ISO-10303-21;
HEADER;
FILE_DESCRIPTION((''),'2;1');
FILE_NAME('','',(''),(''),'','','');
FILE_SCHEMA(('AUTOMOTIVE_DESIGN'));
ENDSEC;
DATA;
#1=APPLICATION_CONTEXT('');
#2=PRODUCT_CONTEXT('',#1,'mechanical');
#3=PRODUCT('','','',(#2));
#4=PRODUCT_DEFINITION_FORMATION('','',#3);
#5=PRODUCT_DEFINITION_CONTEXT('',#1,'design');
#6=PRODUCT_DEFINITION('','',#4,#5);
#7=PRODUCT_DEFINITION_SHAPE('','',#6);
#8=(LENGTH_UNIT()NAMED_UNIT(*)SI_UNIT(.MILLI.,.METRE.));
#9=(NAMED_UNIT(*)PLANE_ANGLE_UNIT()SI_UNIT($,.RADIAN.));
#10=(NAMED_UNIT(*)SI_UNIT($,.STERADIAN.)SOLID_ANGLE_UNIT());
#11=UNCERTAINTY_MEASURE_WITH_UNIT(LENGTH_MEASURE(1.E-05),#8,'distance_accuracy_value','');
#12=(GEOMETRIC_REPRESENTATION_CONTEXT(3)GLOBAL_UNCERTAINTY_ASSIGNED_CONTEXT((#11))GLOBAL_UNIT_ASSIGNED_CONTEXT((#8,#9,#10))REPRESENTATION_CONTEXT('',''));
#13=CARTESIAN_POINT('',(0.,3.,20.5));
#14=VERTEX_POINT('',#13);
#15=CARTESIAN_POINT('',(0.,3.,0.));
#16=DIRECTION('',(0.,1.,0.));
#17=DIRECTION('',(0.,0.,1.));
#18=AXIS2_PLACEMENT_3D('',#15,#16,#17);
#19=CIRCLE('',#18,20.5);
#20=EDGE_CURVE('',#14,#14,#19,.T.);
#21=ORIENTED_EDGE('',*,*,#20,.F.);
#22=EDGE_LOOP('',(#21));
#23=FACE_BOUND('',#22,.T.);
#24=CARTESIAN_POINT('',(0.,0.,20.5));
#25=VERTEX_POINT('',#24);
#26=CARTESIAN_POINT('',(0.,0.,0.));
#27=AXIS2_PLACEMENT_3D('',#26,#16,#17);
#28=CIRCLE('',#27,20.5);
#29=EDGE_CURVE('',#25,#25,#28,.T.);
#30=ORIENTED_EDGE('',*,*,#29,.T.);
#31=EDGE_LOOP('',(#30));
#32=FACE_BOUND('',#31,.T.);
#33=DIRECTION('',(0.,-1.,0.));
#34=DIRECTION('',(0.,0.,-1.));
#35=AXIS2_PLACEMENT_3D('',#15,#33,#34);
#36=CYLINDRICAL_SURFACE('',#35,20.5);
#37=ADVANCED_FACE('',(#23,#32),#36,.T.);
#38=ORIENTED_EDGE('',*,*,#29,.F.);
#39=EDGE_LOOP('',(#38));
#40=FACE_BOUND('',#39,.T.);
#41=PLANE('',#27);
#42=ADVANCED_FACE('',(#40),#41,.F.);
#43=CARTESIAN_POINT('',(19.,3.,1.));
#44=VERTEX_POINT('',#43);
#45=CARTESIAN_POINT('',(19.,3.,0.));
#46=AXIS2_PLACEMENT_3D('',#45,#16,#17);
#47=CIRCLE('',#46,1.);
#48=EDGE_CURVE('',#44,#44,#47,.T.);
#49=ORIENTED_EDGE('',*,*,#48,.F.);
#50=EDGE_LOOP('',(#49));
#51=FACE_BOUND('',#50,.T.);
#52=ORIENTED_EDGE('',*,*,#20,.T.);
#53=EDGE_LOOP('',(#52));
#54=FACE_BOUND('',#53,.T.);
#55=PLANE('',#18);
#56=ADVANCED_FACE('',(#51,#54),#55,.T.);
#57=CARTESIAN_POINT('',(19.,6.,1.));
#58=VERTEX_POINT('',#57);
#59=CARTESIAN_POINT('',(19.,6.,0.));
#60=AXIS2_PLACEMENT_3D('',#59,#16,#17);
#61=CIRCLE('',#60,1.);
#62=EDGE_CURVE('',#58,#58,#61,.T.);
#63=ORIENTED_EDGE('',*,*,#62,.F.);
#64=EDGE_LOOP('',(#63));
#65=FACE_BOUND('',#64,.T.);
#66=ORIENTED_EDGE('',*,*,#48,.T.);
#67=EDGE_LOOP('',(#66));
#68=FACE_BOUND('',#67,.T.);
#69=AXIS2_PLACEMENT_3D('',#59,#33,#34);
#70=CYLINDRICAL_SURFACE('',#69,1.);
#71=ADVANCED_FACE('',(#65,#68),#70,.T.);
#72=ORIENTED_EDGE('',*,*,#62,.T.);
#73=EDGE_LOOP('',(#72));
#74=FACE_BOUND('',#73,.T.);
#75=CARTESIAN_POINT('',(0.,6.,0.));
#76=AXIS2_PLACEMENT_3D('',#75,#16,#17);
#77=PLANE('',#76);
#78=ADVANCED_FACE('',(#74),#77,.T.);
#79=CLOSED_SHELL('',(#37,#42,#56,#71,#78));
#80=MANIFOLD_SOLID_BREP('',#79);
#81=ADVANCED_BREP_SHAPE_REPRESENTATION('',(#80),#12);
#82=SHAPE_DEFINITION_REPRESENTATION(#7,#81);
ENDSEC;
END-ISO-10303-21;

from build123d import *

# Parameters (mm, degrees)
IZIM2_R                     = 20.5
IZIM2_R_2                   = 1
Y_KSEKLIK_EKSTR_ZYON1_DEPTH = 3
IZIM2_3_R                   = 1
Y_KSEKLIK_EKSTR_ZYON2_DEPTH = 6


with BuildPart() as part:
    # Çizim2 → Yükseklik-Ekstrüzyon1 (new body)
    with BuildSketch(Plane(origin=(0, 0, 0), x_dir=(1, 0, 0), z_dir=(0, 1, 0))):
        Circle(IZIM2_R)
        with Locations((19, 0)):
            Circle(IZIM2_R_2, mode=Mode.SUBTRACT)
    extrude(amount=Y_KSEKLIK_EKSTR_ZYON1_DEPTH)

    # Çizim2<3> → Yükseklik-Ekstrüzyon2 (add)
    with BuildSketch(Plane(origin=(0, 0, 0), x_dir=(1, 0, 0), z_dir=(0, 1, 0))):
        with Locations((19, 0)):
            Circle(IZIM2_3_R)
    extrude(amount=Y_KSEKLIK_EKSTR_ZYON2_DEPTH)


solid = part.part
